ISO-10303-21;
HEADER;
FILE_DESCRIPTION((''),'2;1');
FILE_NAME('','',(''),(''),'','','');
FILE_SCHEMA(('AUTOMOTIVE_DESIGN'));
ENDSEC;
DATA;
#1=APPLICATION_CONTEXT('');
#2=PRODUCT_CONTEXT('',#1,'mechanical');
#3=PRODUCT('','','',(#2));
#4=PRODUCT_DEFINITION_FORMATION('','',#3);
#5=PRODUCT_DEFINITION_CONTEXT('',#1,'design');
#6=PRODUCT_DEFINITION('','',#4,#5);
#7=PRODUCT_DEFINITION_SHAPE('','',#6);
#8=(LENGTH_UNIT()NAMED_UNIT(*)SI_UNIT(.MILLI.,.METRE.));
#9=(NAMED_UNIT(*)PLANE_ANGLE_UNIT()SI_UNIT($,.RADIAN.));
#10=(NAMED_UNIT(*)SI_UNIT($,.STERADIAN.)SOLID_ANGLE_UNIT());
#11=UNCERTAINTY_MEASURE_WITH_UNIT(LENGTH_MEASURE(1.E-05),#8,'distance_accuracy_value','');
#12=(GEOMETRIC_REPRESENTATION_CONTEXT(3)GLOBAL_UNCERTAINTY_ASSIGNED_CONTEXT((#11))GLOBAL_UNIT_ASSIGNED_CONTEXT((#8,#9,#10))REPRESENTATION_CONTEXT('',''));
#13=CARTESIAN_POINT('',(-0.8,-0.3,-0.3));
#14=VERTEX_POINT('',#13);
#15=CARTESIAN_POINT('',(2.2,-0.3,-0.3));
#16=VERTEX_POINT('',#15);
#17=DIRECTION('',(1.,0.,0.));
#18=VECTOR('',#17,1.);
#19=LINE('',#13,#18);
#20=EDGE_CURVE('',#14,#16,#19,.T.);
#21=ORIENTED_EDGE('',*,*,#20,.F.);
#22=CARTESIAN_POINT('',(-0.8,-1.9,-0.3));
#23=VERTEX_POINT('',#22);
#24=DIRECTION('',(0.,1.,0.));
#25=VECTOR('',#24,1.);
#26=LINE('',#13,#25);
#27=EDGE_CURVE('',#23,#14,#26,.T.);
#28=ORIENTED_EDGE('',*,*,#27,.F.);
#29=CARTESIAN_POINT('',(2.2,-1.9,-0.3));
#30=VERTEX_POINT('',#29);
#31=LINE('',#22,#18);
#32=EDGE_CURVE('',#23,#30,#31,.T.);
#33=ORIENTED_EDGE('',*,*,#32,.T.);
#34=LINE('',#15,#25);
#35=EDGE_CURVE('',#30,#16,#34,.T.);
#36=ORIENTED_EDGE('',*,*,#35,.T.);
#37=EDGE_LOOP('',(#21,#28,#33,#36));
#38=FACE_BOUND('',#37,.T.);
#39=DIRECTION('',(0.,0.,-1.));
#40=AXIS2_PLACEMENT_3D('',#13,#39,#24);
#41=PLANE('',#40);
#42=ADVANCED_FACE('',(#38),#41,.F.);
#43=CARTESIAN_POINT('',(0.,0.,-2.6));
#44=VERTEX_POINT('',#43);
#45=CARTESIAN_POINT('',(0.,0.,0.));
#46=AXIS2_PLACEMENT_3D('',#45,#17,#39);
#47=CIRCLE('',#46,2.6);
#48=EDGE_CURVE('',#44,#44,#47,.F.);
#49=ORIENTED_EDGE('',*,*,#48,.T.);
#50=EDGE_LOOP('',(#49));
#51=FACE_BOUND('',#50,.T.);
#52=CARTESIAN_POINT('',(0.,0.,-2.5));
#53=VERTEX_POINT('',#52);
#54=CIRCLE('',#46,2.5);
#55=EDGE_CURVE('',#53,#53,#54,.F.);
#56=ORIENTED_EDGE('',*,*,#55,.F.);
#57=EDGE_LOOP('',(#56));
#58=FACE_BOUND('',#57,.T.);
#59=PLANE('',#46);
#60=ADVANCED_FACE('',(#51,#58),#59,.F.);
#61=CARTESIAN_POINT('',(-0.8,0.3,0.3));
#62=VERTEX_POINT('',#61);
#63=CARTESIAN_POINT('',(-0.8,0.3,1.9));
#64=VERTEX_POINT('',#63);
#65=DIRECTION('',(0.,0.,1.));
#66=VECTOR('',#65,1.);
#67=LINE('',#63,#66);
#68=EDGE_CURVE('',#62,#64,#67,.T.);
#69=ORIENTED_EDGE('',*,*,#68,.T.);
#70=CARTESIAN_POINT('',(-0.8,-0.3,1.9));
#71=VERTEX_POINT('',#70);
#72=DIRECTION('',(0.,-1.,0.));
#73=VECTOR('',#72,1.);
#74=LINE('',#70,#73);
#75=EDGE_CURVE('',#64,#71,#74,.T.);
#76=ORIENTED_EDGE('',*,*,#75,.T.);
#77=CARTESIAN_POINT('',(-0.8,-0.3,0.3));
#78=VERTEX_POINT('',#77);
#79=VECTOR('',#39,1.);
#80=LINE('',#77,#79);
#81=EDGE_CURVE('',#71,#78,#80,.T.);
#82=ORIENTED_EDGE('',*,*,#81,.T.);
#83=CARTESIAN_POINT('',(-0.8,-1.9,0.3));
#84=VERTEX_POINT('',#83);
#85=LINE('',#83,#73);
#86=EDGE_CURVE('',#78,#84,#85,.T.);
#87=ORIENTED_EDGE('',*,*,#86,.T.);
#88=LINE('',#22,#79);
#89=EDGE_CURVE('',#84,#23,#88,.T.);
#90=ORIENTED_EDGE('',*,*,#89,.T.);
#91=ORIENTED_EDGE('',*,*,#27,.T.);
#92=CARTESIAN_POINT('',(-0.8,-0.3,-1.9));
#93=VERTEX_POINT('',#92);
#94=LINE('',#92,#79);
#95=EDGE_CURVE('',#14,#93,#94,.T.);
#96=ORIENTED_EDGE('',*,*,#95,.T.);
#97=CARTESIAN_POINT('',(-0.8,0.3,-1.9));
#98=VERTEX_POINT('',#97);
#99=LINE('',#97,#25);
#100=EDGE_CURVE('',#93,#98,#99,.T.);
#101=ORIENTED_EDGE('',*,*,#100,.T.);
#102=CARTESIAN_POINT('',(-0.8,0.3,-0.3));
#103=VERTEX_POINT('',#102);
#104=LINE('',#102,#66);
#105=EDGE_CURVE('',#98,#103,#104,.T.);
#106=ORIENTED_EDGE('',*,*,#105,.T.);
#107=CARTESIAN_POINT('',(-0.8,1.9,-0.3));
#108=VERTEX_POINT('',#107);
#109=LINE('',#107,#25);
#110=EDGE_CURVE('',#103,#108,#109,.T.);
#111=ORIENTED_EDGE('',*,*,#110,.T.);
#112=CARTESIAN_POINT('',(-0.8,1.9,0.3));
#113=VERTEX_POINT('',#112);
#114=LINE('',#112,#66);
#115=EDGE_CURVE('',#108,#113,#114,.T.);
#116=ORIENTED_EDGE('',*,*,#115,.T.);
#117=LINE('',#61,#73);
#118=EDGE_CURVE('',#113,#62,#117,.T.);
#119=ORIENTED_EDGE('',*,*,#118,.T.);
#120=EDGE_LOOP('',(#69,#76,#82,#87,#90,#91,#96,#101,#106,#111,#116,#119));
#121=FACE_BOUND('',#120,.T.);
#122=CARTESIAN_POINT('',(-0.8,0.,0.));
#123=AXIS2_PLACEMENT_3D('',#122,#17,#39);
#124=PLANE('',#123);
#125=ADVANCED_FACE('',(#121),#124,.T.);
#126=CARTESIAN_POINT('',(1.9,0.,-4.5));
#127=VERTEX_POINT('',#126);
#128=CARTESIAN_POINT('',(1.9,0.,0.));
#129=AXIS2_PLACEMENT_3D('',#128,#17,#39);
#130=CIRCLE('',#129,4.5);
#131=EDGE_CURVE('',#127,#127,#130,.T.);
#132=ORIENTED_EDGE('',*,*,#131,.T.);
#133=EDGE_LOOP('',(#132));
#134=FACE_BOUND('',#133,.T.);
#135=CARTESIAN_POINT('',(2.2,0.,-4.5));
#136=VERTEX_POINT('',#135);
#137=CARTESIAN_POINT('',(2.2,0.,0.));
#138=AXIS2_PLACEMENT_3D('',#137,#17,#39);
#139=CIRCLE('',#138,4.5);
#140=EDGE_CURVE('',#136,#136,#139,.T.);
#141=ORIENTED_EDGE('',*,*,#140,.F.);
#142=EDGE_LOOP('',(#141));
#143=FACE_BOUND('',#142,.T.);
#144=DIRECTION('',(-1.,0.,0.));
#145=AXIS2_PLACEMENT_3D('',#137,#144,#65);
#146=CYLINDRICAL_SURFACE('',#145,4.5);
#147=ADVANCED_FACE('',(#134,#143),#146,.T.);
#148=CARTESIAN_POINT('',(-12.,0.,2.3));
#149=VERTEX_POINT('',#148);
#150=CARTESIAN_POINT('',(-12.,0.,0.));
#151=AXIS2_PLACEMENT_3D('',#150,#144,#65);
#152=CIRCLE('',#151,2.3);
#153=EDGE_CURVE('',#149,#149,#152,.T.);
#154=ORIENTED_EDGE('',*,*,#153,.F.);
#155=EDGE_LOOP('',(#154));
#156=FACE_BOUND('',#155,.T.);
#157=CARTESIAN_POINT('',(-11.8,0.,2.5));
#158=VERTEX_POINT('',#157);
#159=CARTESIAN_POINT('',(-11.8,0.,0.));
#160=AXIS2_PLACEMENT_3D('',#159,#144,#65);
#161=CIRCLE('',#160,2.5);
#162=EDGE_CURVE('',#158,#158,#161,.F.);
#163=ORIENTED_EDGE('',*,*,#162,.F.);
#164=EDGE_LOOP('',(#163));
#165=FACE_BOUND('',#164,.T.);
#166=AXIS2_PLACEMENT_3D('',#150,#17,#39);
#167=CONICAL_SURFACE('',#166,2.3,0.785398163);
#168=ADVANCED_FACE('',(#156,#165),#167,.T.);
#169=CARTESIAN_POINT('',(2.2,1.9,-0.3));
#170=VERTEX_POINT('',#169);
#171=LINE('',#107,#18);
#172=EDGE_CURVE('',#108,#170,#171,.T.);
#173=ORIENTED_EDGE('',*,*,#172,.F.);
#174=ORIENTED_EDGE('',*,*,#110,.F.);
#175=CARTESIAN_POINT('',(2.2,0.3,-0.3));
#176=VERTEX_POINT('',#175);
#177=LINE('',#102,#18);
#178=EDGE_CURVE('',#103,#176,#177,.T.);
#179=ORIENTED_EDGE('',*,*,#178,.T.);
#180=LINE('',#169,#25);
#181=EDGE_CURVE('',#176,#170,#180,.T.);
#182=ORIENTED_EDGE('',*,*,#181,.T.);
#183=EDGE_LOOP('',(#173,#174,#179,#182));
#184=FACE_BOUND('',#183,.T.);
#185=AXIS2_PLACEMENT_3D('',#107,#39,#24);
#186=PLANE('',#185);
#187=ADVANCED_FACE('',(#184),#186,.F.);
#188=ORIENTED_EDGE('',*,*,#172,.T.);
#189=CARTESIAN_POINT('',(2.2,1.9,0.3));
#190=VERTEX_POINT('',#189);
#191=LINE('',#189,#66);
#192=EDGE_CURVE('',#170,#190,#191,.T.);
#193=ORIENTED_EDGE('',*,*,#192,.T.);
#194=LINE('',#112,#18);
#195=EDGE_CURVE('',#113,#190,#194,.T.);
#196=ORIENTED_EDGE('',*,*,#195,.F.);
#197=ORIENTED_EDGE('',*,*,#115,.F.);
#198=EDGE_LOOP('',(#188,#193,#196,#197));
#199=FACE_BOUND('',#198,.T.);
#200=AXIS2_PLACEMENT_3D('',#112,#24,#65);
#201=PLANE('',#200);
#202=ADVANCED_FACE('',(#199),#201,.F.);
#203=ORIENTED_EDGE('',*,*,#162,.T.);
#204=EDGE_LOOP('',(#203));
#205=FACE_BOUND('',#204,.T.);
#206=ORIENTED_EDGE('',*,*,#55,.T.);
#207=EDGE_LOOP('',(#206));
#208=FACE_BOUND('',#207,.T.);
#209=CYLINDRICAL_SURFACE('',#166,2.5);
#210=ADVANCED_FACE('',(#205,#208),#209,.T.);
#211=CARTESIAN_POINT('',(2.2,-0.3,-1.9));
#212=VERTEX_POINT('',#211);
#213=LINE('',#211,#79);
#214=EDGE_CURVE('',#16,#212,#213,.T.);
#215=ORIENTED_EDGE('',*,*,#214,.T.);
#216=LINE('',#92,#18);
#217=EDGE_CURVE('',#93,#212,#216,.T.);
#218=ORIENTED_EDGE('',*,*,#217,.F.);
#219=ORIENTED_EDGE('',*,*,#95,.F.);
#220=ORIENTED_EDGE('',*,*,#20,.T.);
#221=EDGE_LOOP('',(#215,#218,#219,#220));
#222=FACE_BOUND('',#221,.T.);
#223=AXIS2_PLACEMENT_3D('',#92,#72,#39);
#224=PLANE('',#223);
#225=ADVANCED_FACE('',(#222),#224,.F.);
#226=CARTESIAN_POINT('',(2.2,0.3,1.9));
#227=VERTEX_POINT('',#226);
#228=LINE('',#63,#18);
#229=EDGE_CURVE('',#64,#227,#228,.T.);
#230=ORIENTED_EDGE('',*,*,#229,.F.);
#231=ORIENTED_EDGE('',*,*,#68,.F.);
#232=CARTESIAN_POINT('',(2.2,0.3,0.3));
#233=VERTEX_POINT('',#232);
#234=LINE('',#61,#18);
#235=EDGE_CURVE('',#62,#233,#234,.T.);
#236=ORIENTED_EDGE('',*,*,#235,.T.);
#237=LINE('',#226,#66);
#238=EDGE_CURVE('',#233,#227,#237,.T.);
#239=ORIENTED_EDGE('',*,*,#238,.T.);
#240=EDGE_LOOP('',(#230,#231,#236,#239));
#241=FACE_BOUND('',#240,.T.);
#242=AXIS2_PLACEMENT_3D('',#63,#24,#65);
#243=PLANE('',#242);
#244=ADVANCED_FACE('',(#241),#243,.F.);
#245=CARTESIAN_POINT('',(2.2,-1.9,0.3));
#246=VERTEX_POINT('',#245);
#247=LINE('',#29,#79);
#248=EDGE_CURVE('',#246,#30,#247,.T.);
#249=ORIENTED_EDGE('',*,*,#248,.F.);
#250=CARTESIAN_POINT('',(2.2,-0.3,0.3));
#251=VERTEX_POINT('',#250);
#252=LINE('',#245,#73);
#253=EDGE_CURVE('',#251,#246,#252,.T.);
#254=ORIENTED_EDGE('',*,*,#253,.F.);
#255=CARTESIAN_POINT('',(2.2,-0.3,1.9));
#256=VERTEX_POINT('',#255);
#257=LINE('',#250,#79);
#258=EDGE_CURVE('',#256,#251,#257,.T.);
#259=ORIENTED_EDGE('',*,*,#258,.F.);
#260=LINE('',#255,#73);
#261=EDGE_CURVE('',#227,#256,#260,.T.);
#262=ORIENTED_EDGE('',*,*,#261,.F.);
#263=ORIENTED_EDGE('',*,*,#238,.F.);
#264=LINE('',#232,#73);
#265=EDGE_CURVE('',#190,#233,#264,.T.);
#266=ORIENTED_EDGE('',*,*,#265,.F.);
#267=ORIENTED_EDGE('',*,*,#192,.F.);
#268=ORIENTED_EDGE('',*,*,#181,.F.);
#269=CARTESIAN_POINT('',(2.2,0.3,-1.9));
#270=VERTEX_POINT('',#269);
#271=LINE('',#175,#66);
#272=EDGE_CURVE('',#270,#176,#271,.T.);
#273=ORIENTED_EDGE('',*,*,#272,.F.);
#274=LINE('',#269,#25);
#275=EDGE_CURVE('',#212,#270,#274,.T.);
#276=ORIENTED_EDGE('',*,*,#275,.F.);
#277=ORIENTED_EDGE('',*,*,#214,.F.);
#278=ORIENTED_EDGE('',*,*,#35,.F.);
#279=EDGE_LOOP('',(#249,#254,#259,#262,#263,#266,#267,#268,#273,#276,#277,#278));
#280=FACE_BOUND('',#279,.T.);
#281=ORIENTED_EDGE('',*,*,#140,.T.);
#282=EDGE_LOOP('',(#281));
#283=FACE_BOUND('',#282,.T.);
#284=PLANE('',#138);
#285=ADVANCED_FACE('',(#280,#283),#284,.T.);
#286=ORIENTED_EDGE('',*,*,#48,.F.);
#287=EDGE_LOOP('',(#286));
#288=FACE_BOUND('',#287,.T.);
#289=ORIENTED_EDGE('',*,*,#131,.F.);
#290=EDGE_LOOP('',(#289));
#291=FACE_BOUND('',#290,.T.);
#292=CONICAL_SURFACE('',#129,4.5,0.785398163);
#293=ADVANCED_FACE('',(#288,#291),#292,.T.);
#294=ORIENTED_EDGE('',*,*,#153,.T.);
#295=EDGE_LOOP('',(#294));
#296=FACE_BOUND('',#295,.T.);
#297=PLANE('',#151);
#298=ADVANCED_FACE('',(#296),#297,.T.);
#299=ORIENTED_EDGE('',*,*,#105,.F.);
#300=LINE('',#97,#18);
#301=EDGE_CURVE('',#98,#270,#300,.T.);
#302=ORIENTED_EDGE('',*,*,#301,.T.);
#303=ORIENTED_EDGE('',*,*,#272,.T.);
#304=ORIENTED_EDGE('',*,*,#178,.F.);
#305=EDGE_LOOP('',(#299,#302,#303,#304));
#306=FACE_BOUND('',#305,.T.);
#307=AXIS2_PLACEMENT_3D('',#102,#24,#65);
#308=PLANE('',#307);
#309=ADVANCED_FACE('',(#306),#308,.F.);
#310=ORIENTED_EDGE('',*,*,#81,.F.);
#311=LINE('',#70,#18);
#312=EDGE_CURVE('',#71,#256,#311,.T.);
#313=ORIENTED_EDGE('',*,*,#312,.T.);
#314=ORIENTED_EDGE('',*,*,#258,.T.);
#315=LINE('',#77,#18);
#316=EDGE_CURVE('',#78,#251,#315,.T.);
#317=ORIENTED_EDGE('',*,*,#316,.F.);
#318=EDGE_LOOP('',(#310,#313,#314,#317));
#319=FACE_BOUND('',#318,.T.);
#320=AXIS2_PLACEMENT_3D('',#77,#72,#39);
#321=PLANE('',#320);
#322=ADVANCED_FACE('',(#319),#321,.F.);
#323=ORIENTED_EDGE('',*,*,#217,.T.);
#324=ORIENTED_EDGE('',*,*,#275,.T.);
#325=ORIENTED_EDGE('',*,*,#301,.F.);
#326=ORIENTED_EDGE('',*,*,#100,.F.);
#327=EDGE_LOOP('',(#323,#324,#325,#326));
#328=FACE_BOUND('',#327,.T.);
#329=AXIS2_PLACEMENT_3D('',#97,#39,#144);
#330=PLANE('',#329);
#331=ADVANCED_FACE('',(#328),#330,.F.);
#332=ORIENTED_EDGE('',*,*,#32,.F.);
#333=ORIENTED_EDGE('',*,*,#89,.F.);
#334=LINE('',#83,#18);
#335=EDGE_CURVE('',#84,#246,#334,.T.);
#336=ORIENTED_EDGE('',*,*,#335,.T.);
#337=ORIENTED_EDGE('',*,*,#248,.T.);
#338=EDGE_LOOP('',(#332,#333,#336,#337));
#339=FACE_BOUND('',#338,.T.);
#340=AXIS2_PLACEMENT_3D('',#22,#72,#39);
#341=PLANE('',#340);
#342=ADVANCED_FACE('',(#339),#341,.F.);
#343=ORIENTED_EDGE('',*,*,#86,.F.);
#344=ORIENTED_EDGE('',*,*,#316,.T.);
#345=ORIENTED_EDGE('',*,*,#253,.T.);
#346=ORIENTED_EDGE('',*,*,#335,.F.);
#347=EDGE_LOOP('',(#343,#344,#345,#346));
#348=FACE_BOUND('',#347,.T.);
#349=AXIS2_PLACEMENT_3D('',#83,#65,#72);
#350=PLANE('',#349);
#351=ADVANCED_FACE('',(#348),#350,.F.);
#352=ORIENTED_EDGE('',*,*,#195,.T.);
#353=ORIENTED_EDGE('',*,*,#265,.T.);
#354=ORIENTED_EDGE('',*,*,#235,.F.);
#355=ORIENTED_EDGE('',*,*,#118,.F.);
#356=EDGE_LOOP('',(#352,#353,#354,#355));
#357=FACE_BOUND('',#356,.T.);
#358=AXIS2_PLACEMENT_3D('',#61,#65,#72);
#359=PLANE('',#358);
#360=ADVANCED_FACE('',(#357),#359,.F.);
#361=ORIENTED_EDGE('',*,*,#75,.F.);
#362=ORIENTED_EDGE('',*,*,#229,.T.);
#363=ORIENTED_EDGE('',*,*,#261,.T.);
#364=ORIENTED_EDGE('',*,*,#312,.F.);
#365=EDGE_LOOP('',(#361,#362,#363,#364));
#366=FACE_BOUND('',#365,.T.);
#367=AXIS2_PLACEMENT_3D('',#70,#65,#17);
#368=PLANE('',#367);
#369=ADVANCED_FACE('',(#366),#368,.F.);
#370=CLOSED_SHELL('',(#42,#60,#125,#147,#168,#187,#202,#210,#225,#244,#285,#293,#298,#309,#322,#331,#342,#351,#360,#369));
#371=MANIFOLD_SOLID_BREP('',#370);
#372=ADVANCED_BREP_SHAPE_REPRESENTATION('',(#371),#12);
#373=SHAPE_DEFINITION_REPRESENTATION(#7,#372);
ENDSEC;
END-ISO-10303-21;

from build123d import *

# Parameters (mm, degrees)
SKETCH_1_R          = 4.5
EXTRUDE_1_DEPTH     = 2.2
SKETCH_2_R          = 2.5
EXTRUDE_3_DEPTH     = 12
CHAMFER_2_SIZE      = 0.2
CHAMFER_3_SIZE      = 1.9
CUT_EXTRUDE_2_DEPTH = 3


with BuildPart() as part:
    # 草图1 → 凸台-拉伸1 (new body)
    with BuildSketch(Plane(origin=(0, 0, 0), x_dir=(0, 0, -1), z_dir=(1, 0, 0))):
        Circle(SKETCH_1_R)
    extrude(amount=EXTRUDE_1_DEPTH)

    # 草图2 → 凸台-拉伸3 (add)
    with BuildSketch(Plane.ZY):
        Circle(SKETCH_2_R)
    extrude(amount=EXTRUDE_3_DEPTH)

    # 倒角2
    chamfer_2_edges = [part.edges().sort_by_distance(p)[0] for p in [
        (-12, 0, -2.5),
    ]]
    chamfer(chamfer_2_edges, length=CHAMFER_2_SIZE)

    # 倒角3
    chamfer_3_edges = [part.edges().sort_by_distance(p)[0] for p in [
        (0, 0, 4.5),
    ]]
    chamfer(chamfer_3_edges, length=CHAMFER_3_SIZE)

    # 草图5 → 切除-拉伸2 (cut)
    with BuildSketch(Plane(origin=(2.2, 0, 0), x_dir=(0, 0, -1), z_dir=(1, 0, 0))):
        Polygon((0.3, 0.3), (1.9, 0.3), (1.9, -0.3), (0.3, -0.3), (0.3, -1.9), (-0.3, -1.9), (-0.3, -0.3), (-1.9, -0.3), (-1.9, 0.3), (-0.3, 0.3), (-0.3, 1.9), (0.3, 1.9), align=None)
    extrude(amount=-CUT_EXTRUDE_2_DEPTH, mode=Mode.SUBTRACT)


solid = part.part
